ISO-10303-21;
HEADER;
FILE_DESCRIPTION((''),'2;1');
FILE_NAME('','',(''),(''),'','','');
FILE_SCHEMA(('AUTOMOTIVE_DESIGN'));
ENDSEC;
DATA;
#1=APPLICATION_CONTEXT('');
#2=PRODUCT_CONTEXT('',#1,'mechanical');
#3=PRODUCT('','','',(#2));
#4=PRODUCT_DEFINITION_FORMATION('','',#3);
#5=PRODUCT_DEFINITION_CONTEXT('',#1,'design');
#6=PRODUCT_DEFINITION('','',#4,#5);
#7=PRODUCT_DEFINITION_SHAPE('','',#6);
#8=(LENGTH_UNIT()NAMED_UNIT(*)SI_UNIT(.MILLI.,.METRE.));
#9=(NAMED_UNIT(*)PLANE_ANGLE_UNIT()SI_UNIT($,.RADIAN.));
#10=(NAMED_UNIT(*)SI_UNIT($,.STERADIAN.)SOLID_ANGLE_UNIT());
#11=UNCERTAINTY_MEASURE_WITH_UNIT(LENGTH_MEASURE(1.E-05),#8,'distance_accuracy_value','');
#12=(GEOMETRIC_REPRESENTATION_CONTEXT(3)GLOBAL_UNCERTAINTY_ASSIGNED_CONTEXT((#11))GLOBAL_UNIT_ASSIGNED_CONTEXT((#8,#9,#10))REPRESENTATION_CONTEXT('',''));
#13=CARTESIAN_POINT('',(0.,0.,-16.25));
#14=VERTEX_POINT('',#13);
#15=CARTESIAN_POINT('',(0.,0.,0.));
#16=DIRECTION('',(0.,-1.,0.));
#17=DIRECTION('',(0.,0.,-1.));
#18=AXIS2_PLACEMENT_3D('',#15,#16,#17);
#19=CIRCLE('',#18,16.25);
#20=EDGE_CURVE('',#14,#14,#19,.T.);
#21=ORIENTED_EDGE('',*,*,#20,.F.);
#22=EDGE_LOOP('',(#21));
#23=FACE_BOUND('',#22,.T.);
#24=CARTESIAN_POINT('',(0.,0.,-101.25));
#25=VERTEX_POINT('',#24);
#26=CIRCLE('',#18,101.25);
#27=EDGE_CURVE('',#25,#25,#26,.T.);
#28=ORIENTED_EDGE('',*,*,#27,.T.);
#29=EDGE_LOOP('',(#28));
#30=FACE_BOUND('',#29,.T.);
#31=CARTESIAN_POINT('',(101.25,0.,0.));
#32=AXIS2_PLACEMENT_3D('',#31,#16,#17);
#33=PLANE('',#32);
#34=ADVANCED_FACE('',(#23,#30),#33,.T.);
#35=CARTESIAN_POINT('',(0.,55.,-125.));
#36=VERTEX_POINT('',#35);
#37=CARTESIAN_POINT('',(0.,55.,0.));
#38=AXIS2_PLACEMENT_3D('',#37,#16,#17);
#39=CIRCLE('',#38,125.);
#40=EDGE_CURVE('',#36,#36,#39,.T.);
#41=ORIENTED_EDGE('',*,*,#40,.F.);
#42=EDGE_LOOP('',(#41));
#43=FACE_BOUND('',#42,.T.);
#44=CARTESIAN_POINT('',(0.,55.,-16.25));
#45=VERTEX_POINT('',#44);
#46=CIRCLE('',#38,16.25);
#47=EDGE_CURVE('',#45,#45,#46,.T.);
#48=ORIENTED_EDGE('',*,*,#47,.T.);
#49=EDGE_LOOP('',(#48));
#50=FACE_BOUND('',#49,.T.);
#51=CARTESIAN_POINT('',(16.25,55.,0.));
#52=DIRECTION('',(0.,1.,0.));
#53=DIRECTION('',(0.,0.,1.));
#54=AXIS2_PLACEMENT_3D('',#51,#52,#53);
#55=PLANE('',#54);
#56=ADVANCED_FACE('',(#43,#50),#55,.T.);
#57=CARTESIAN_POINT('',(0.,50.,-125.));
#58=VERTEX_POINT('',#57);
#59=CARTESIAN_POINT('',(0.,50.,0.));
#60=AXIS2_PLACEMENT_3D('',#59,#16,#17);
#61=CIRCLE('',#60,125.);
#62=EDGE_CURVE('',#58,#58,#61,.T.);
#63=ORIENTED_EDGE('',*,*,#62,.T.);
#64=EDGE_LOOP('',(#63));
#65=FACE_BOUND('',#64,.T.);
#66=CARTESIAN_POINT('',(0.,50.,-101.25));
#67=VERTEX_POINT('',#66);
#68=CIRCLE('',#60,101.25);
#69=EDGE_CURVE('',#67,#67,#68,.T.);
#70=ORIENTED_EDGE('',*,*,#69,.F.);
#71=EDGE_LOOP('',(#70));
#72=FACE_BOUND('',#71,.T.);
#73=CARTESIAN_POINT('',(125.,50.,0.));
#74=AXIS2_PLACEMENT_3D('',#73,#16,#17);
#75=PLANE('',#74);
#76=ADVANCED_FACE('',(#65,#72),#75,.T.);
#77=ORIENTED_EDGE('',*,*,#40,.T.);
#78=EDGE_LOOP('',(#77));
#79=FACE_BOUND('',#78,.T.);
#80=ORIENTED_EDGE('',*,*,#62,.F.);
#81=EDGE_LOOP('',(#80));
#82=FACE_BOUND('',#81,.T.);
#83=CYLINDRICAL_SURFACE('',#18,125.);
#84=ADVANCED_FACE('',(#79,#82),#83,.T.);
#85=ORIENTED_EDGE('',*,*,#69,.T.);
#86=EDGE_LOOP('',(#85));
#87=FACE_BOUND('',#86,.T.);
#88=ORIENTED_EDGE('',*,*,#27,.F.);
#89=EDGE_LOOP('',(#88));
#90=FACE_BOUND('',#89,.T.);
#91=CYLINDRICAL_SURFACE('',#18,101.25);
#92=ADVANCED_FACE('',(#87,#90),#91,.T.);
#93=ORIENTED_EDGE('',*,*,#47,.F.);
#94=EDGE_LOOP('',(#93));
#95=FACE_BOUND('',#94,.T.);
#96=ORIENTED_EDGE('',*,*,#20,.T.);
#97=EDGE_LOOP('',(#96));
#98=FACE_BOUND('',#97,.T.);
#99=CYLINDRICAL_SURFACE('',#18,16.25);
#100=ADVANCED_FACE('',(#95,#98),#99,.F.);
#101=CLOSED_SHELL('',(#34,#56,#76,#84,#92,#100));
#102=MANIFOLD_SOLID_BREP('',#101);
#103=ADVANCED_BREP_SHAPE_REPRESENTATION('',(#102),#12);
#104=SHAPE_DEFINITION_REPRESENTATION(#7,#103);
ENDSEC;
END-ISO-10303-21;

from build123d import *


with BuildPart() as part:
    # Sketch1 → Revolve1 (revolve)
    with BuildSketch(Plane.XY, mode=Mode.PRIVATE) as revolve1_sk:
        Polygon((16.25, 0), (16.25, 55), (125, 55), (125, 50), (101.25, 50), (101.25, 0), align=None)
    revolve(revolve1_sk.sketch.rotate(Axis((0, 0, 0), (0, 1, 0)), 90), axis=Axis((0, 0, 0), (0, 1, 0)))


solid = part.part
